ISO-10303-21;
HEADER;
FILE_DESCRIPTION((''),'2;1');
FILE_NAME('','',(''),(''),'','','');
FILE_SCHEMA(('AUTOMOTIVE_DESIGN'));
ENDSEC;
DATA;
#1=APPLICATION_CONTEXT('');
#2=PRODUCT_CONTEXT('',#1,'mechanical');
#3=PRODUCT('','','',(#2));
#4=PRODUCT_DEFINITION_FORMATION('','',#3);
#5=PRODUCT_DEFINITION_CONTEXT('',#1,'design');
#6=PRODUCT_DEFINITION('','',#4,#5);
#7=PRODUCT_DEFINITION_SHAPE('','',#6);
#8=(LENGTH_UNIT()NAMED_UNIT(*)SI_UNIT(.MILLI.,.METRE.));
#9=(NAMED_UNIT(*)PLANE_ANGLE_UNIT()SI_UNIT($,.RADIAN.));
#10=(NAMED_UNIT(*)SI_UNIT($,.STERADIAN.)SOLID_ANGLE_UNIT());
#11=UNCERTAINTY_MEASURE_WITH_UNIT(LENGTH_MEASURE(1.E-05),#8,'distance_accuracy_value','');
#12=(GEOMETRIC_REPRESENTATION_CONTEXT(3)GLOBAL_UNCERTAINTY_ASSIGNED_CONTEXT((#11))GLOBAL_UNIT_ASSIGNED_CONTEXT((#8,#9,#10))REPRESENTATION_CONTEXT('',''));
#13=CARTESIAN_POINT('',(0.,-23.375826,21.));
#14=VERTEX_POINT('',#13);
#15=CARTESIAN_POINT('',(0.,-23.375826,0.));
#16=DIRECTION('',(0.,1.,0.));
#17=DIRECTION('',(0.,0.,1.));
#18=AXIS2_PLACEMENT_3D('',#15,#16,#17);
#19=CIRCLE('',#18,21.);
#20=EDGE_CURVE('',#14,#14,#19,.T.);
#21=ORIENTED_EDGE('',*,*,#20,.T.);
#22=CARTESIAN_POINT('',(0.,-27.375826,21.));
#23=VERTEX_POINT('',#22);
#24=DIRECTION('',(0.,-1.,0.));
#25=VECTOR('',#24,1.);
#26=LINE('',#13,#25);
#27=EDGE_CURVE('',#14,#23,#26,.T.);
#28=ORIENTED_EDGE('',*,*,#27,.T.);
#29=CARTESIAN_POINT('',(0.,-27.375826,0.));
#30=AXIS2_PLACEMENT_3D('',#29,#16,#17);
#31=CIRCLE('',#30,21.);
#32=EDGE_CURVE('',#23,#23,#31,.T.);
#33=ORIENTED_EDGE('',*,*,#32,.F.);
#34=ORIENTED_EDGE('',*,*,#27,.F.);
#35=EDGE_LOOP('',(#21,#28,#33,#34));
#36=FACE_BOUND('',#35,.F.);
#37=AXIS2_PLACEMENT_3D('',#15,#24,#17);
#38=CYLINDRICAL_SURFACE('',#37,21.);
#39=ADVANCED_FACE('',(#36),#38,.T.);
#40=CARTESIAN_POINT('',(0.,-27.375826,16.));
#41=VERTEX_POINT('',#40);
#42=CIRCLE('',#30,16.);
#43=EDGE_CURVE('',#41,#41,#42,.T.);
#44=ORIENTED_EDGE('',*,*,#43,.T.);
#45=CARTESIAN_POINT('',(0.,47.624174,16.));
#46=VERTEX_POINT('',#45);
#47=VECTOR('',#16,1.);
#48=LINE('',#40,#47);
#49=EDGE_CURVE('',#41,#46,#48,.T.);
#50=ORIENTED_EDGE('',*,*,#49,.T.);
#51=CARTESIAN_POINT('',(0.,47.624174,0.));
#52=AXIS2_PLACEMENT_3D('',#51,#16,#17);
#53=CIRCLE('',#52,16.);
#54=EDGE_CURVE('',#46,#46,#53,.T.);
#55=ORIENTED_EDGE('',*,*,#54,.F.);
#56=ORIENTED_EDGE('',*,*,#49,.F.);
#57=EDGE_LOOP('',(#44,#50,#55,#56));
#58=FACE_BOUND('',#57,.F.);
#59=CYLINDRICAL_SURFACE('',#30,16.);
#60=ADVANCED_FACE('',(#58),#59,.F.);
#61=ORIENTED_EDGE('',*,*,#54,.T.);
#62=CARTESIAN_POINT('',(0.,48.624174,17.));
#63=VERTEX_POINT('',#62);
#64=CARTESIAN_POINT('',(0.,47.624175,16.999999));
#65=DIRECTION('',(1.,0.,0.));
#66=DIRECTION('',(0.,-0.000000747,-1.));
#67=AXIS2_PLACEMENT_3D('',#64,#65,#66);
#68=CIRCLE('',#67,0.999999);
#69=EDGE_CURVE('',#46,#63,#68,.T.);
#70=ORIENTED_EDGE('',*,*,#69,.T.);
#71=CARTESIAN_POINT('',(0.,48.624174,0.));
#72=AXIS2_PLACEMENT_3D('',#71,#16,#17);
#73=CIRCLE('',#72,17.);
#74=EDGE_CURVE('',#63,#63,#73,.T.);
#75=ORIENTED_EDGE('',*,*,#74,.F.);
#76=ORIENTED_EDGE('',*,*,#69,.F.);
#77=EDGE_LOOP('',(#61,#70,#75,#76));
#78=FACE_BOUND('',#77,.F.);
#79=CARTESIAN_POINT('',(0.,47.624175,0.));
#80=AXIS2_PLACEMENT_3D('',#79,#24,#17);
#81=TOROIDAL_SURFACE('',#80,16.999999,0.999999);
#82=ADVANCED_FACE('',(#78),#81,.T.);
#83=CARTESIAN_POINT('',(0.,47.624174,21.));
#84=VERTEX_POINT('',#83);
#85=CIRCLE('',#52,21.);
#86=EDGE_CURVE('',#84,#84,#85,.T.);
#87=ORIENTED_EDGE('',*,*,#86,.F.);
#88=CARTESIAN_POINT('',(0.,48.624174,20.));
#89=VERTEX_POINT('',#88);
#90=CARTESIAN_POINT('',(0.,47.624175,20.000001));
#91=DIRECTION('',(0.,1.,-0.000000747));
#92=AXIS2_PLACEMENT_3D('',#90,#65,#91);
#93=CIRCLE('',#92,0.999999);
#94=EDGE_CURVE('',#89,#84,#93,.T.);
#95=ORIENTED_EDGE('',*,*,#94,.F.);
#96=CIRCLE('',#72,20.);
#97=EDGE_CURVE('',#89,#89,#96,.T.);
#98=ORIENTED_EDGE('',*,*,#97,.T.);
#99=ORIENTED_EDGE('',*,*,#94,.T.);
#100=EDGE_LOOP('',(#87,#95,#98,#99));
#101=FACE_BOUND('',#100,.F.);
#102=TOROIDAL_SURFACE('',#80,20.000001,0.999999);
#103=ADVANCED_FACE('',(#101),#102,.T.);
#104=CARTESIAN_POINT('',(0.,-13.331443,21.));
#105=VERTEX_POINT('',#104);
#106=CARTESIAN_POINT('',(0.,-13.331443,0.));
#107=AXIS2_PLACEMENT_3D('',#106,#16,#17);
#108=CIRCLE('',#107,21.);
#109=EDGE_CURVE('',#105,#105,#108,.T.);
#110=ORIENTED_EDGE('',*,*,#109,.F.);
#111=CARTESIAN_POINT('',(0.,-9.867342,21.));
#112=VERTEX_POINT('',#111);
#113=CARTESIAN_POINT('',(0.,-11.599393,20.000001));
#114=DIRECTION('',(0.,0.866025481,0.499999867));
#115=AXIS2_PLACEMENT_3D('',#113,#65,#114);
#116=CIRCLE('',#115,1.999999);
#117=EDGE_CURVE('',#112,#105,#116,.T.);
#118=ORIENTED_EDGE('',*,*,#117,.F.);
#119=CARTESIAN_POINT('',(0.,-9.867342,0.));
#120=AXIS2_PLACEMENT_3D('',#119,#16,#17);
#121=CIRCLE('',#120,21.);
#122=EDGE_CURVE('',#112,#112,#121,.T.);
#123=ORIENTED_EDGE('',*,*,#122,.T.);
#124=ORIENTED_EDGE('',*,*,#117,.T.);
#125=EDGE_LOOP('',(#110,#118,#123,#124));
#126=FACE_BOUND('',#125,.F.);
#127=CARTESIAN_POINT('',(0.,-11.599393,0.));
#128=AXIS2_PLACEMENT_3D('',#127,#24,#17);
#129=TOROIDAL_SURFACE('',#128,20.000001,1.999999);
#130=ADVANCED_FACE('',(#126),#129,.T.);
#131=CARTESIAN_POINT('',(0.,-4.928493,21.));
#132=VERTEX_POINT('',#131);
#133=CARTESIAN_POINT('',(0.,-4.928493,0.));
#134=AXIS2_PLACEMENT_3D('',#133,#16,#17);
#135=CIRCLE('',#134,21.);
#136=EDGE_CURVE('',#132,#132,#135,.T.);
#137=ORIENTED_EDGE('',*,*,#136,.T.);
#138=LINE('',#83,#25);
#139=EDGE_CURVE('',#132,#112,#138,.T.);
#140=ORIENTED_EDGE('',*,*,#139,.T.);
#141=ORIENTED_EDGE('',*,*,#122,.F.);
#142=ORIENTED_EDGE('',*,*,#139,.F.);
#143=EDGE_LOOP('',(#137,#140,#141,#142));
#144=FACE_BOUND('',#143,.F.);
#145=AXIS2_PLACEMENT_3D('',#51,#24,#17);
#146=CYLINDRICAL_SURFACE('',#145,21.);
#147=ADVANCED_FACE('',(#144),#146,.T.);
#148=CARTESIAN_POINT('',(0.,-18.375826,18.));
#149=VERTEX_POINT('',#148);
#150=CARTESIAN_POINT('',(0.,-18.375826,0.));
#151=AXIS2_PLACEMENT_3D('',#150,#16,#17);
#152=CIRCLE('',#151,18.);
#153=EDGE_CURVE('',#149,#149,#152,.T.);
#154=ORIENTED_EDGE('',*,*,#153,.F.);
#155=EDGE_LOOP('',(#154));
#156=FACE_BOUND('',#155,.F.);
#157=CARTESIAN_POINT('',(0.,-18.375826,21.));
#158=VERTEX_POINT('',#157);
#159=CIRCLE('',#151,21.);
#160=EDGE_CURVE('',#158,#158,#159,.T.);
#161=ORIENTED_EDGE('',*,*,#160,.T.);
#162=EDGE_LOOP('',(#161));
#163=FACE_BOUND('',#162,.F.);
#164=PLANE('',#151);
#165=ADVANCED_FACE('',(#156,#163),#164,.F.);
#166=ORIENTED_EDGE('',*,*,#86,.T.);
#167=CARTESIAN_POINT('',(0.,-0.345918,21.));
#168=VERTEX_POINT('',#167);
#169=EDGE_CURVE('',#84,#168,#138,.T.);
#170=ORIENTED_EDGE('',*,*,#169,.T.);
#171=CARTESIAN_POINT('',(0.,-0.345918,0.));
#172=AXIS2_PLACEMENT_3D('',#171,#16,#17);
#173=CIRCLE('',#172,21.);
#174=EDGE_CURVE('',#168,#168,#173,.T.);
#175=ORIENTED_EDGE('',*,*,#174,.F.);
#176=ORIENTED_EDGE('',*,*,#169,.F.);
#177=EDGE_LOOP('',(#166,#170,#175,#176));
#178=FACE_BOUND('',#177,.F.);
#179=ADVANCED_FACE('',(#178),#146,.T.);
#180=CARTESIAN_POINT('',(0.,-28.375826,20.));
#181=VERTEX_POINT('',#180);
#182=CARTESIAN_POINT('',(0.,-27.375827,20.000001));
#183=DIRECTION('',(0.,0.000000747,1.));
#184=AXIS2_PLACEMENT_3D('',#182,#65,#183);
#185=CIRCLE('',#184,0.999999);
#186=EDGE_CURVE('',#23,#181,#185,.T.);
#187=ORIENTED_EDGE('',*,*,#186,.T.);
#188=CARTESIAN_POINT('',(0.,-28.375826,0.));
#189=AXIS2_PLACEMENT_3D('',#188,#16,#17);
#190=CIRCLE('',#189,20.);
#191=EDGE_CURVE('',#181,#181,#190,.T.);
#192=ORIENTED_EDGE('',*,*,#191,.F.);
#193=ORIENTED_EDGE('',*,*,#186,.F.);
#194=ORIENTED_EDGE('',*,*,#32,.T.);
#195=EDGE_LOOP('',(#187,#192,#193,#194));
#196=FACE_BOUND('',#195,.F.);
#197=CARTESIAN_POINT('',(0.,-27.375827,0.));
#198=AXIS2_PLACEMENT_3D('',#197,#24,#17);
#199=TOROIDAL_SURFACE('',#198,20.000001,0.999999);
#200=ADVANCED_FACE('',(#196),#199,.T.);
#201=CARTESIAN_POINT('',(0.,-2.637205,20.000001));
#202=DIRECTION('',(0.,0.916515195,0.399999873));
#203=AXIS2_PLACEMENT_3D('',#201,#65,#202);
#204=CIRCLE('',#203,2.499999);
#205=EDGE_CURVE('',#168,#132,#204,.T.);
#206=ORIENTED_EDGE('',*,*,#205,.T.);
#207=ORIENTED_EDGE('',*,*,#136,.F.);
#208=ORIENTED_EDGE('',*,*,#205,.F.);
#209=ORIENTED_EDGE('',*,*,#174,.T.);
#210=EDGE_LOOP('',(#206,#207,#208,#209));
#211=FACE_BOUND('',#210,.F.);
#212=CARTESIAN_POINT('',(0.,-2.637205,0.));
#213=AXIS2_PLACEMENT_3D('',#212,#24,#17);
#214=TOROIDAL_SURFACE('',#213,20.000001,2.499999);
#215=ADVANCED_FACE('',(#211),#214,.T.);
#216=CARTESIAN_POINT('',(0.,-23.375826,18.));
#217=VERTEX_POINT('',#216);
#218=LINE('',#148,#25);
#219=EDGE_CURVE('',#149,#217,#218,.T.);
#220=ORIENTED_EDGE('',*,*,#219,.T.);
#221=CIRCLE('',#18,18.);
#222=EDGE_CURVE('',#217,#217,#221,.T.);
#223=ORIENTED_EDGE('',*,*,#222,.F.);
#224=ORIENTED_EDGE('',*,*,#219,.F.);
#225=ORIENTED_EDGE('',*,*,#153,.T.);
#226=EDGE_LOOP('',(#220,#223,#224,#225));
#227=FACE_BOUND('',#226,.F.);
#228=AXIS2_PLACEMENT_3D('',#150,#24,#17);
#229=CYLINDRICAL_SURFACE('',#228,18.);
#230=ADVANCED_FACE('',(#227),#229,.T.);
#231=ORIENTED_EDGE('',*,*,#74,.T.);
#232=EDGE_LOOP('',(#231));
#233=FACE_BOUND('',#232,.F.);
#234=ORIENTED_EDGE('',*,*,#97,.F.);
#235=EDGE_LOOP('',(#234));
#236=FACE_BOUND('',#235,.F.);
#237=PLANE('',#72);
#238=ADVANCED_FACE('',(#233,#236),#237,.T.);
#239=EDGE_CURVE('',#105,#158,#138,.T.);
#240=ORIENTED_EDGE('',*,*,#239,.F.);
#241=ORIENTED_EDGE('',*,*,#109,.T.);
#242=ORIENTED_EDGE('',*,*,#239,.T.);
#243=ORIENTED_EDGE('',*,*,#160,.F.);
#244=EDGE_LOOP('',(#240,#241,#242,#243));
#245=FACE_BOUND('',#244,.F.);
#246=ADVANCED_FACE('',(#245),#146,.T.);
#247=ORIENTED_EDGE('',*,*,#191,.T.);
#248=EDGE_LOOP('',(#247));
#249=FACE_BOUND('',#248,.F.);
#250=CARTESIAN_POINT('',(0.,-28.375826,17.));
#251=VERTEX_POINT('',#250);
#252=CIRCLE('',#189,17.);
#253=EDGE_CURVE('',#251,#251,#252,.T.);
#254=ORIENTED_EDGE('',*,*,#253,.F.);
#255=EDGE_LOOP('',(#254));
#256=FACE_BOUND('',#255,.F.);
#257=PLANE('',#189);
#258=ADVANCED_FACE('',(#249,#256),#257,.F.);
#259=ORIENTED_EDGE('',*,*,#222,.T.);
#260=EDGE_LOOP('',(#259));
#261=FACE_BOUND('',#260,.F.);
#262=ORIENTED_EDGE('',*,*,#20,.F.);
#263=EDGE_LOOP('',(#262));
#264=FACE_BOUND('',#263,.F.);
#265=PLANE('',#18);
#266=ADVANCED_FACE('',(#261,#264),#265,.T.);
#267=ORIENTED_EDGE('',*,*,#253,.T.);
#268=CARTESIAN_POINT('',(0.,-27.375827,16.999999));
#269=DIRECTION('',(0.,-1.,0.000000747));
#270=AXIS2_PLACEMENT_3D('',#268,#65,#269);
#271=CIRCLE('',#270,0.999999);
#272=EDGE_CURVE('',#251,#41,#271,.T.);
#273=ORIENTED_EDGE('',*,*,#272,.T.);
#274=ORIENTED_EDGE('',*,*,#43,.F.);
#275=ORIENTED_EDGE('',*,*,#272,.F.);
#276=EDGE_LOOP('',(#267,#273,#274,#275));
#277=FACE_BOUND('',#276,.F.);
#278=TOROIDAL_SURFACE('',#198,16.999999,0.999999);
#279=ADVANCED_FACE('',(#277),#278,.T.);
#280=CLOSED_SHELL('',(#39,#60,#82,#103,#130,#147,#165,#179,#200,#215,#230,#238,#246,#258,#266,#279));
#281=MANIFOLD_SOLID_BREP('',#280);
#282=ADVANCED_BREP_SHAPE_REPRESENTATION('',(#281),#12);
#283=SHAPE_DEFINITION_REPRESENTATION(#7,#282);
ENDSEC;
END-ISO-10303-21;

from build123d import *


with BuildPart() as f1:
    # F0 (on Right) → F1 (revolve)
    with BuildSketch(Plane.YZ):
        with BuildLine():
            Line((-23.375826, 21), (-27.375826, 21))
            ThreePointArc((-27.375826, 21), (-28.082933, 20.707107), (-28.375826, 20))
            Line((-28.375826, 20), (-28.375826, 17))
            ThreePointArc((-28.375826, 17), (-28.082933, 16.292893), (-27.375826, 16))
            Line((-27.375826, 16), (47.624174, 16))
            ThreePointArc((47.624174, 16), (48.331281, 16.292893), (48.624174, 17))
            Line((48.624174, 17), (48.624174, 20))
            ThreePointArc((48.624174, 20), (48.331281, 20.707107), (47.624174, 21))
            Line((47.624174, 21), (-0.345918, 21))
            Line((-0.345918, 21), (-4.928493, 21))
            Line((-4.928493, 21), (-9.867342, 21))
            Line((-9.867342, 21), (-13.331443, 21))
            Line((-13.331443, 21), (-18.375826, 21))
            Line((-18.375826, 21), (-18.375826, 18))
            Line((-18.375826, 18), (-23.375826, 18))
            Line((-23.375826, 18), (-23.375826, 21))
        make_face()
        with BuildLine():
            ThreePointArc((-9.867342, 21), (-11.599393, 22), (-13.331443, 21))
            Line((-13.331443, 21), (-9.867342, 21))
        make_face()
        with BuildLine():
            ThreePointArc((-0.345918, 21), (-2.637205, 22.5), (-4.928493, 21))
            Line((-4.928493, 21), (-0.345918, 21))
        make_face()
    revolve(axis=Axis((0, 6.925453, 0), (0, 1, 0)))


solid = f1.part
